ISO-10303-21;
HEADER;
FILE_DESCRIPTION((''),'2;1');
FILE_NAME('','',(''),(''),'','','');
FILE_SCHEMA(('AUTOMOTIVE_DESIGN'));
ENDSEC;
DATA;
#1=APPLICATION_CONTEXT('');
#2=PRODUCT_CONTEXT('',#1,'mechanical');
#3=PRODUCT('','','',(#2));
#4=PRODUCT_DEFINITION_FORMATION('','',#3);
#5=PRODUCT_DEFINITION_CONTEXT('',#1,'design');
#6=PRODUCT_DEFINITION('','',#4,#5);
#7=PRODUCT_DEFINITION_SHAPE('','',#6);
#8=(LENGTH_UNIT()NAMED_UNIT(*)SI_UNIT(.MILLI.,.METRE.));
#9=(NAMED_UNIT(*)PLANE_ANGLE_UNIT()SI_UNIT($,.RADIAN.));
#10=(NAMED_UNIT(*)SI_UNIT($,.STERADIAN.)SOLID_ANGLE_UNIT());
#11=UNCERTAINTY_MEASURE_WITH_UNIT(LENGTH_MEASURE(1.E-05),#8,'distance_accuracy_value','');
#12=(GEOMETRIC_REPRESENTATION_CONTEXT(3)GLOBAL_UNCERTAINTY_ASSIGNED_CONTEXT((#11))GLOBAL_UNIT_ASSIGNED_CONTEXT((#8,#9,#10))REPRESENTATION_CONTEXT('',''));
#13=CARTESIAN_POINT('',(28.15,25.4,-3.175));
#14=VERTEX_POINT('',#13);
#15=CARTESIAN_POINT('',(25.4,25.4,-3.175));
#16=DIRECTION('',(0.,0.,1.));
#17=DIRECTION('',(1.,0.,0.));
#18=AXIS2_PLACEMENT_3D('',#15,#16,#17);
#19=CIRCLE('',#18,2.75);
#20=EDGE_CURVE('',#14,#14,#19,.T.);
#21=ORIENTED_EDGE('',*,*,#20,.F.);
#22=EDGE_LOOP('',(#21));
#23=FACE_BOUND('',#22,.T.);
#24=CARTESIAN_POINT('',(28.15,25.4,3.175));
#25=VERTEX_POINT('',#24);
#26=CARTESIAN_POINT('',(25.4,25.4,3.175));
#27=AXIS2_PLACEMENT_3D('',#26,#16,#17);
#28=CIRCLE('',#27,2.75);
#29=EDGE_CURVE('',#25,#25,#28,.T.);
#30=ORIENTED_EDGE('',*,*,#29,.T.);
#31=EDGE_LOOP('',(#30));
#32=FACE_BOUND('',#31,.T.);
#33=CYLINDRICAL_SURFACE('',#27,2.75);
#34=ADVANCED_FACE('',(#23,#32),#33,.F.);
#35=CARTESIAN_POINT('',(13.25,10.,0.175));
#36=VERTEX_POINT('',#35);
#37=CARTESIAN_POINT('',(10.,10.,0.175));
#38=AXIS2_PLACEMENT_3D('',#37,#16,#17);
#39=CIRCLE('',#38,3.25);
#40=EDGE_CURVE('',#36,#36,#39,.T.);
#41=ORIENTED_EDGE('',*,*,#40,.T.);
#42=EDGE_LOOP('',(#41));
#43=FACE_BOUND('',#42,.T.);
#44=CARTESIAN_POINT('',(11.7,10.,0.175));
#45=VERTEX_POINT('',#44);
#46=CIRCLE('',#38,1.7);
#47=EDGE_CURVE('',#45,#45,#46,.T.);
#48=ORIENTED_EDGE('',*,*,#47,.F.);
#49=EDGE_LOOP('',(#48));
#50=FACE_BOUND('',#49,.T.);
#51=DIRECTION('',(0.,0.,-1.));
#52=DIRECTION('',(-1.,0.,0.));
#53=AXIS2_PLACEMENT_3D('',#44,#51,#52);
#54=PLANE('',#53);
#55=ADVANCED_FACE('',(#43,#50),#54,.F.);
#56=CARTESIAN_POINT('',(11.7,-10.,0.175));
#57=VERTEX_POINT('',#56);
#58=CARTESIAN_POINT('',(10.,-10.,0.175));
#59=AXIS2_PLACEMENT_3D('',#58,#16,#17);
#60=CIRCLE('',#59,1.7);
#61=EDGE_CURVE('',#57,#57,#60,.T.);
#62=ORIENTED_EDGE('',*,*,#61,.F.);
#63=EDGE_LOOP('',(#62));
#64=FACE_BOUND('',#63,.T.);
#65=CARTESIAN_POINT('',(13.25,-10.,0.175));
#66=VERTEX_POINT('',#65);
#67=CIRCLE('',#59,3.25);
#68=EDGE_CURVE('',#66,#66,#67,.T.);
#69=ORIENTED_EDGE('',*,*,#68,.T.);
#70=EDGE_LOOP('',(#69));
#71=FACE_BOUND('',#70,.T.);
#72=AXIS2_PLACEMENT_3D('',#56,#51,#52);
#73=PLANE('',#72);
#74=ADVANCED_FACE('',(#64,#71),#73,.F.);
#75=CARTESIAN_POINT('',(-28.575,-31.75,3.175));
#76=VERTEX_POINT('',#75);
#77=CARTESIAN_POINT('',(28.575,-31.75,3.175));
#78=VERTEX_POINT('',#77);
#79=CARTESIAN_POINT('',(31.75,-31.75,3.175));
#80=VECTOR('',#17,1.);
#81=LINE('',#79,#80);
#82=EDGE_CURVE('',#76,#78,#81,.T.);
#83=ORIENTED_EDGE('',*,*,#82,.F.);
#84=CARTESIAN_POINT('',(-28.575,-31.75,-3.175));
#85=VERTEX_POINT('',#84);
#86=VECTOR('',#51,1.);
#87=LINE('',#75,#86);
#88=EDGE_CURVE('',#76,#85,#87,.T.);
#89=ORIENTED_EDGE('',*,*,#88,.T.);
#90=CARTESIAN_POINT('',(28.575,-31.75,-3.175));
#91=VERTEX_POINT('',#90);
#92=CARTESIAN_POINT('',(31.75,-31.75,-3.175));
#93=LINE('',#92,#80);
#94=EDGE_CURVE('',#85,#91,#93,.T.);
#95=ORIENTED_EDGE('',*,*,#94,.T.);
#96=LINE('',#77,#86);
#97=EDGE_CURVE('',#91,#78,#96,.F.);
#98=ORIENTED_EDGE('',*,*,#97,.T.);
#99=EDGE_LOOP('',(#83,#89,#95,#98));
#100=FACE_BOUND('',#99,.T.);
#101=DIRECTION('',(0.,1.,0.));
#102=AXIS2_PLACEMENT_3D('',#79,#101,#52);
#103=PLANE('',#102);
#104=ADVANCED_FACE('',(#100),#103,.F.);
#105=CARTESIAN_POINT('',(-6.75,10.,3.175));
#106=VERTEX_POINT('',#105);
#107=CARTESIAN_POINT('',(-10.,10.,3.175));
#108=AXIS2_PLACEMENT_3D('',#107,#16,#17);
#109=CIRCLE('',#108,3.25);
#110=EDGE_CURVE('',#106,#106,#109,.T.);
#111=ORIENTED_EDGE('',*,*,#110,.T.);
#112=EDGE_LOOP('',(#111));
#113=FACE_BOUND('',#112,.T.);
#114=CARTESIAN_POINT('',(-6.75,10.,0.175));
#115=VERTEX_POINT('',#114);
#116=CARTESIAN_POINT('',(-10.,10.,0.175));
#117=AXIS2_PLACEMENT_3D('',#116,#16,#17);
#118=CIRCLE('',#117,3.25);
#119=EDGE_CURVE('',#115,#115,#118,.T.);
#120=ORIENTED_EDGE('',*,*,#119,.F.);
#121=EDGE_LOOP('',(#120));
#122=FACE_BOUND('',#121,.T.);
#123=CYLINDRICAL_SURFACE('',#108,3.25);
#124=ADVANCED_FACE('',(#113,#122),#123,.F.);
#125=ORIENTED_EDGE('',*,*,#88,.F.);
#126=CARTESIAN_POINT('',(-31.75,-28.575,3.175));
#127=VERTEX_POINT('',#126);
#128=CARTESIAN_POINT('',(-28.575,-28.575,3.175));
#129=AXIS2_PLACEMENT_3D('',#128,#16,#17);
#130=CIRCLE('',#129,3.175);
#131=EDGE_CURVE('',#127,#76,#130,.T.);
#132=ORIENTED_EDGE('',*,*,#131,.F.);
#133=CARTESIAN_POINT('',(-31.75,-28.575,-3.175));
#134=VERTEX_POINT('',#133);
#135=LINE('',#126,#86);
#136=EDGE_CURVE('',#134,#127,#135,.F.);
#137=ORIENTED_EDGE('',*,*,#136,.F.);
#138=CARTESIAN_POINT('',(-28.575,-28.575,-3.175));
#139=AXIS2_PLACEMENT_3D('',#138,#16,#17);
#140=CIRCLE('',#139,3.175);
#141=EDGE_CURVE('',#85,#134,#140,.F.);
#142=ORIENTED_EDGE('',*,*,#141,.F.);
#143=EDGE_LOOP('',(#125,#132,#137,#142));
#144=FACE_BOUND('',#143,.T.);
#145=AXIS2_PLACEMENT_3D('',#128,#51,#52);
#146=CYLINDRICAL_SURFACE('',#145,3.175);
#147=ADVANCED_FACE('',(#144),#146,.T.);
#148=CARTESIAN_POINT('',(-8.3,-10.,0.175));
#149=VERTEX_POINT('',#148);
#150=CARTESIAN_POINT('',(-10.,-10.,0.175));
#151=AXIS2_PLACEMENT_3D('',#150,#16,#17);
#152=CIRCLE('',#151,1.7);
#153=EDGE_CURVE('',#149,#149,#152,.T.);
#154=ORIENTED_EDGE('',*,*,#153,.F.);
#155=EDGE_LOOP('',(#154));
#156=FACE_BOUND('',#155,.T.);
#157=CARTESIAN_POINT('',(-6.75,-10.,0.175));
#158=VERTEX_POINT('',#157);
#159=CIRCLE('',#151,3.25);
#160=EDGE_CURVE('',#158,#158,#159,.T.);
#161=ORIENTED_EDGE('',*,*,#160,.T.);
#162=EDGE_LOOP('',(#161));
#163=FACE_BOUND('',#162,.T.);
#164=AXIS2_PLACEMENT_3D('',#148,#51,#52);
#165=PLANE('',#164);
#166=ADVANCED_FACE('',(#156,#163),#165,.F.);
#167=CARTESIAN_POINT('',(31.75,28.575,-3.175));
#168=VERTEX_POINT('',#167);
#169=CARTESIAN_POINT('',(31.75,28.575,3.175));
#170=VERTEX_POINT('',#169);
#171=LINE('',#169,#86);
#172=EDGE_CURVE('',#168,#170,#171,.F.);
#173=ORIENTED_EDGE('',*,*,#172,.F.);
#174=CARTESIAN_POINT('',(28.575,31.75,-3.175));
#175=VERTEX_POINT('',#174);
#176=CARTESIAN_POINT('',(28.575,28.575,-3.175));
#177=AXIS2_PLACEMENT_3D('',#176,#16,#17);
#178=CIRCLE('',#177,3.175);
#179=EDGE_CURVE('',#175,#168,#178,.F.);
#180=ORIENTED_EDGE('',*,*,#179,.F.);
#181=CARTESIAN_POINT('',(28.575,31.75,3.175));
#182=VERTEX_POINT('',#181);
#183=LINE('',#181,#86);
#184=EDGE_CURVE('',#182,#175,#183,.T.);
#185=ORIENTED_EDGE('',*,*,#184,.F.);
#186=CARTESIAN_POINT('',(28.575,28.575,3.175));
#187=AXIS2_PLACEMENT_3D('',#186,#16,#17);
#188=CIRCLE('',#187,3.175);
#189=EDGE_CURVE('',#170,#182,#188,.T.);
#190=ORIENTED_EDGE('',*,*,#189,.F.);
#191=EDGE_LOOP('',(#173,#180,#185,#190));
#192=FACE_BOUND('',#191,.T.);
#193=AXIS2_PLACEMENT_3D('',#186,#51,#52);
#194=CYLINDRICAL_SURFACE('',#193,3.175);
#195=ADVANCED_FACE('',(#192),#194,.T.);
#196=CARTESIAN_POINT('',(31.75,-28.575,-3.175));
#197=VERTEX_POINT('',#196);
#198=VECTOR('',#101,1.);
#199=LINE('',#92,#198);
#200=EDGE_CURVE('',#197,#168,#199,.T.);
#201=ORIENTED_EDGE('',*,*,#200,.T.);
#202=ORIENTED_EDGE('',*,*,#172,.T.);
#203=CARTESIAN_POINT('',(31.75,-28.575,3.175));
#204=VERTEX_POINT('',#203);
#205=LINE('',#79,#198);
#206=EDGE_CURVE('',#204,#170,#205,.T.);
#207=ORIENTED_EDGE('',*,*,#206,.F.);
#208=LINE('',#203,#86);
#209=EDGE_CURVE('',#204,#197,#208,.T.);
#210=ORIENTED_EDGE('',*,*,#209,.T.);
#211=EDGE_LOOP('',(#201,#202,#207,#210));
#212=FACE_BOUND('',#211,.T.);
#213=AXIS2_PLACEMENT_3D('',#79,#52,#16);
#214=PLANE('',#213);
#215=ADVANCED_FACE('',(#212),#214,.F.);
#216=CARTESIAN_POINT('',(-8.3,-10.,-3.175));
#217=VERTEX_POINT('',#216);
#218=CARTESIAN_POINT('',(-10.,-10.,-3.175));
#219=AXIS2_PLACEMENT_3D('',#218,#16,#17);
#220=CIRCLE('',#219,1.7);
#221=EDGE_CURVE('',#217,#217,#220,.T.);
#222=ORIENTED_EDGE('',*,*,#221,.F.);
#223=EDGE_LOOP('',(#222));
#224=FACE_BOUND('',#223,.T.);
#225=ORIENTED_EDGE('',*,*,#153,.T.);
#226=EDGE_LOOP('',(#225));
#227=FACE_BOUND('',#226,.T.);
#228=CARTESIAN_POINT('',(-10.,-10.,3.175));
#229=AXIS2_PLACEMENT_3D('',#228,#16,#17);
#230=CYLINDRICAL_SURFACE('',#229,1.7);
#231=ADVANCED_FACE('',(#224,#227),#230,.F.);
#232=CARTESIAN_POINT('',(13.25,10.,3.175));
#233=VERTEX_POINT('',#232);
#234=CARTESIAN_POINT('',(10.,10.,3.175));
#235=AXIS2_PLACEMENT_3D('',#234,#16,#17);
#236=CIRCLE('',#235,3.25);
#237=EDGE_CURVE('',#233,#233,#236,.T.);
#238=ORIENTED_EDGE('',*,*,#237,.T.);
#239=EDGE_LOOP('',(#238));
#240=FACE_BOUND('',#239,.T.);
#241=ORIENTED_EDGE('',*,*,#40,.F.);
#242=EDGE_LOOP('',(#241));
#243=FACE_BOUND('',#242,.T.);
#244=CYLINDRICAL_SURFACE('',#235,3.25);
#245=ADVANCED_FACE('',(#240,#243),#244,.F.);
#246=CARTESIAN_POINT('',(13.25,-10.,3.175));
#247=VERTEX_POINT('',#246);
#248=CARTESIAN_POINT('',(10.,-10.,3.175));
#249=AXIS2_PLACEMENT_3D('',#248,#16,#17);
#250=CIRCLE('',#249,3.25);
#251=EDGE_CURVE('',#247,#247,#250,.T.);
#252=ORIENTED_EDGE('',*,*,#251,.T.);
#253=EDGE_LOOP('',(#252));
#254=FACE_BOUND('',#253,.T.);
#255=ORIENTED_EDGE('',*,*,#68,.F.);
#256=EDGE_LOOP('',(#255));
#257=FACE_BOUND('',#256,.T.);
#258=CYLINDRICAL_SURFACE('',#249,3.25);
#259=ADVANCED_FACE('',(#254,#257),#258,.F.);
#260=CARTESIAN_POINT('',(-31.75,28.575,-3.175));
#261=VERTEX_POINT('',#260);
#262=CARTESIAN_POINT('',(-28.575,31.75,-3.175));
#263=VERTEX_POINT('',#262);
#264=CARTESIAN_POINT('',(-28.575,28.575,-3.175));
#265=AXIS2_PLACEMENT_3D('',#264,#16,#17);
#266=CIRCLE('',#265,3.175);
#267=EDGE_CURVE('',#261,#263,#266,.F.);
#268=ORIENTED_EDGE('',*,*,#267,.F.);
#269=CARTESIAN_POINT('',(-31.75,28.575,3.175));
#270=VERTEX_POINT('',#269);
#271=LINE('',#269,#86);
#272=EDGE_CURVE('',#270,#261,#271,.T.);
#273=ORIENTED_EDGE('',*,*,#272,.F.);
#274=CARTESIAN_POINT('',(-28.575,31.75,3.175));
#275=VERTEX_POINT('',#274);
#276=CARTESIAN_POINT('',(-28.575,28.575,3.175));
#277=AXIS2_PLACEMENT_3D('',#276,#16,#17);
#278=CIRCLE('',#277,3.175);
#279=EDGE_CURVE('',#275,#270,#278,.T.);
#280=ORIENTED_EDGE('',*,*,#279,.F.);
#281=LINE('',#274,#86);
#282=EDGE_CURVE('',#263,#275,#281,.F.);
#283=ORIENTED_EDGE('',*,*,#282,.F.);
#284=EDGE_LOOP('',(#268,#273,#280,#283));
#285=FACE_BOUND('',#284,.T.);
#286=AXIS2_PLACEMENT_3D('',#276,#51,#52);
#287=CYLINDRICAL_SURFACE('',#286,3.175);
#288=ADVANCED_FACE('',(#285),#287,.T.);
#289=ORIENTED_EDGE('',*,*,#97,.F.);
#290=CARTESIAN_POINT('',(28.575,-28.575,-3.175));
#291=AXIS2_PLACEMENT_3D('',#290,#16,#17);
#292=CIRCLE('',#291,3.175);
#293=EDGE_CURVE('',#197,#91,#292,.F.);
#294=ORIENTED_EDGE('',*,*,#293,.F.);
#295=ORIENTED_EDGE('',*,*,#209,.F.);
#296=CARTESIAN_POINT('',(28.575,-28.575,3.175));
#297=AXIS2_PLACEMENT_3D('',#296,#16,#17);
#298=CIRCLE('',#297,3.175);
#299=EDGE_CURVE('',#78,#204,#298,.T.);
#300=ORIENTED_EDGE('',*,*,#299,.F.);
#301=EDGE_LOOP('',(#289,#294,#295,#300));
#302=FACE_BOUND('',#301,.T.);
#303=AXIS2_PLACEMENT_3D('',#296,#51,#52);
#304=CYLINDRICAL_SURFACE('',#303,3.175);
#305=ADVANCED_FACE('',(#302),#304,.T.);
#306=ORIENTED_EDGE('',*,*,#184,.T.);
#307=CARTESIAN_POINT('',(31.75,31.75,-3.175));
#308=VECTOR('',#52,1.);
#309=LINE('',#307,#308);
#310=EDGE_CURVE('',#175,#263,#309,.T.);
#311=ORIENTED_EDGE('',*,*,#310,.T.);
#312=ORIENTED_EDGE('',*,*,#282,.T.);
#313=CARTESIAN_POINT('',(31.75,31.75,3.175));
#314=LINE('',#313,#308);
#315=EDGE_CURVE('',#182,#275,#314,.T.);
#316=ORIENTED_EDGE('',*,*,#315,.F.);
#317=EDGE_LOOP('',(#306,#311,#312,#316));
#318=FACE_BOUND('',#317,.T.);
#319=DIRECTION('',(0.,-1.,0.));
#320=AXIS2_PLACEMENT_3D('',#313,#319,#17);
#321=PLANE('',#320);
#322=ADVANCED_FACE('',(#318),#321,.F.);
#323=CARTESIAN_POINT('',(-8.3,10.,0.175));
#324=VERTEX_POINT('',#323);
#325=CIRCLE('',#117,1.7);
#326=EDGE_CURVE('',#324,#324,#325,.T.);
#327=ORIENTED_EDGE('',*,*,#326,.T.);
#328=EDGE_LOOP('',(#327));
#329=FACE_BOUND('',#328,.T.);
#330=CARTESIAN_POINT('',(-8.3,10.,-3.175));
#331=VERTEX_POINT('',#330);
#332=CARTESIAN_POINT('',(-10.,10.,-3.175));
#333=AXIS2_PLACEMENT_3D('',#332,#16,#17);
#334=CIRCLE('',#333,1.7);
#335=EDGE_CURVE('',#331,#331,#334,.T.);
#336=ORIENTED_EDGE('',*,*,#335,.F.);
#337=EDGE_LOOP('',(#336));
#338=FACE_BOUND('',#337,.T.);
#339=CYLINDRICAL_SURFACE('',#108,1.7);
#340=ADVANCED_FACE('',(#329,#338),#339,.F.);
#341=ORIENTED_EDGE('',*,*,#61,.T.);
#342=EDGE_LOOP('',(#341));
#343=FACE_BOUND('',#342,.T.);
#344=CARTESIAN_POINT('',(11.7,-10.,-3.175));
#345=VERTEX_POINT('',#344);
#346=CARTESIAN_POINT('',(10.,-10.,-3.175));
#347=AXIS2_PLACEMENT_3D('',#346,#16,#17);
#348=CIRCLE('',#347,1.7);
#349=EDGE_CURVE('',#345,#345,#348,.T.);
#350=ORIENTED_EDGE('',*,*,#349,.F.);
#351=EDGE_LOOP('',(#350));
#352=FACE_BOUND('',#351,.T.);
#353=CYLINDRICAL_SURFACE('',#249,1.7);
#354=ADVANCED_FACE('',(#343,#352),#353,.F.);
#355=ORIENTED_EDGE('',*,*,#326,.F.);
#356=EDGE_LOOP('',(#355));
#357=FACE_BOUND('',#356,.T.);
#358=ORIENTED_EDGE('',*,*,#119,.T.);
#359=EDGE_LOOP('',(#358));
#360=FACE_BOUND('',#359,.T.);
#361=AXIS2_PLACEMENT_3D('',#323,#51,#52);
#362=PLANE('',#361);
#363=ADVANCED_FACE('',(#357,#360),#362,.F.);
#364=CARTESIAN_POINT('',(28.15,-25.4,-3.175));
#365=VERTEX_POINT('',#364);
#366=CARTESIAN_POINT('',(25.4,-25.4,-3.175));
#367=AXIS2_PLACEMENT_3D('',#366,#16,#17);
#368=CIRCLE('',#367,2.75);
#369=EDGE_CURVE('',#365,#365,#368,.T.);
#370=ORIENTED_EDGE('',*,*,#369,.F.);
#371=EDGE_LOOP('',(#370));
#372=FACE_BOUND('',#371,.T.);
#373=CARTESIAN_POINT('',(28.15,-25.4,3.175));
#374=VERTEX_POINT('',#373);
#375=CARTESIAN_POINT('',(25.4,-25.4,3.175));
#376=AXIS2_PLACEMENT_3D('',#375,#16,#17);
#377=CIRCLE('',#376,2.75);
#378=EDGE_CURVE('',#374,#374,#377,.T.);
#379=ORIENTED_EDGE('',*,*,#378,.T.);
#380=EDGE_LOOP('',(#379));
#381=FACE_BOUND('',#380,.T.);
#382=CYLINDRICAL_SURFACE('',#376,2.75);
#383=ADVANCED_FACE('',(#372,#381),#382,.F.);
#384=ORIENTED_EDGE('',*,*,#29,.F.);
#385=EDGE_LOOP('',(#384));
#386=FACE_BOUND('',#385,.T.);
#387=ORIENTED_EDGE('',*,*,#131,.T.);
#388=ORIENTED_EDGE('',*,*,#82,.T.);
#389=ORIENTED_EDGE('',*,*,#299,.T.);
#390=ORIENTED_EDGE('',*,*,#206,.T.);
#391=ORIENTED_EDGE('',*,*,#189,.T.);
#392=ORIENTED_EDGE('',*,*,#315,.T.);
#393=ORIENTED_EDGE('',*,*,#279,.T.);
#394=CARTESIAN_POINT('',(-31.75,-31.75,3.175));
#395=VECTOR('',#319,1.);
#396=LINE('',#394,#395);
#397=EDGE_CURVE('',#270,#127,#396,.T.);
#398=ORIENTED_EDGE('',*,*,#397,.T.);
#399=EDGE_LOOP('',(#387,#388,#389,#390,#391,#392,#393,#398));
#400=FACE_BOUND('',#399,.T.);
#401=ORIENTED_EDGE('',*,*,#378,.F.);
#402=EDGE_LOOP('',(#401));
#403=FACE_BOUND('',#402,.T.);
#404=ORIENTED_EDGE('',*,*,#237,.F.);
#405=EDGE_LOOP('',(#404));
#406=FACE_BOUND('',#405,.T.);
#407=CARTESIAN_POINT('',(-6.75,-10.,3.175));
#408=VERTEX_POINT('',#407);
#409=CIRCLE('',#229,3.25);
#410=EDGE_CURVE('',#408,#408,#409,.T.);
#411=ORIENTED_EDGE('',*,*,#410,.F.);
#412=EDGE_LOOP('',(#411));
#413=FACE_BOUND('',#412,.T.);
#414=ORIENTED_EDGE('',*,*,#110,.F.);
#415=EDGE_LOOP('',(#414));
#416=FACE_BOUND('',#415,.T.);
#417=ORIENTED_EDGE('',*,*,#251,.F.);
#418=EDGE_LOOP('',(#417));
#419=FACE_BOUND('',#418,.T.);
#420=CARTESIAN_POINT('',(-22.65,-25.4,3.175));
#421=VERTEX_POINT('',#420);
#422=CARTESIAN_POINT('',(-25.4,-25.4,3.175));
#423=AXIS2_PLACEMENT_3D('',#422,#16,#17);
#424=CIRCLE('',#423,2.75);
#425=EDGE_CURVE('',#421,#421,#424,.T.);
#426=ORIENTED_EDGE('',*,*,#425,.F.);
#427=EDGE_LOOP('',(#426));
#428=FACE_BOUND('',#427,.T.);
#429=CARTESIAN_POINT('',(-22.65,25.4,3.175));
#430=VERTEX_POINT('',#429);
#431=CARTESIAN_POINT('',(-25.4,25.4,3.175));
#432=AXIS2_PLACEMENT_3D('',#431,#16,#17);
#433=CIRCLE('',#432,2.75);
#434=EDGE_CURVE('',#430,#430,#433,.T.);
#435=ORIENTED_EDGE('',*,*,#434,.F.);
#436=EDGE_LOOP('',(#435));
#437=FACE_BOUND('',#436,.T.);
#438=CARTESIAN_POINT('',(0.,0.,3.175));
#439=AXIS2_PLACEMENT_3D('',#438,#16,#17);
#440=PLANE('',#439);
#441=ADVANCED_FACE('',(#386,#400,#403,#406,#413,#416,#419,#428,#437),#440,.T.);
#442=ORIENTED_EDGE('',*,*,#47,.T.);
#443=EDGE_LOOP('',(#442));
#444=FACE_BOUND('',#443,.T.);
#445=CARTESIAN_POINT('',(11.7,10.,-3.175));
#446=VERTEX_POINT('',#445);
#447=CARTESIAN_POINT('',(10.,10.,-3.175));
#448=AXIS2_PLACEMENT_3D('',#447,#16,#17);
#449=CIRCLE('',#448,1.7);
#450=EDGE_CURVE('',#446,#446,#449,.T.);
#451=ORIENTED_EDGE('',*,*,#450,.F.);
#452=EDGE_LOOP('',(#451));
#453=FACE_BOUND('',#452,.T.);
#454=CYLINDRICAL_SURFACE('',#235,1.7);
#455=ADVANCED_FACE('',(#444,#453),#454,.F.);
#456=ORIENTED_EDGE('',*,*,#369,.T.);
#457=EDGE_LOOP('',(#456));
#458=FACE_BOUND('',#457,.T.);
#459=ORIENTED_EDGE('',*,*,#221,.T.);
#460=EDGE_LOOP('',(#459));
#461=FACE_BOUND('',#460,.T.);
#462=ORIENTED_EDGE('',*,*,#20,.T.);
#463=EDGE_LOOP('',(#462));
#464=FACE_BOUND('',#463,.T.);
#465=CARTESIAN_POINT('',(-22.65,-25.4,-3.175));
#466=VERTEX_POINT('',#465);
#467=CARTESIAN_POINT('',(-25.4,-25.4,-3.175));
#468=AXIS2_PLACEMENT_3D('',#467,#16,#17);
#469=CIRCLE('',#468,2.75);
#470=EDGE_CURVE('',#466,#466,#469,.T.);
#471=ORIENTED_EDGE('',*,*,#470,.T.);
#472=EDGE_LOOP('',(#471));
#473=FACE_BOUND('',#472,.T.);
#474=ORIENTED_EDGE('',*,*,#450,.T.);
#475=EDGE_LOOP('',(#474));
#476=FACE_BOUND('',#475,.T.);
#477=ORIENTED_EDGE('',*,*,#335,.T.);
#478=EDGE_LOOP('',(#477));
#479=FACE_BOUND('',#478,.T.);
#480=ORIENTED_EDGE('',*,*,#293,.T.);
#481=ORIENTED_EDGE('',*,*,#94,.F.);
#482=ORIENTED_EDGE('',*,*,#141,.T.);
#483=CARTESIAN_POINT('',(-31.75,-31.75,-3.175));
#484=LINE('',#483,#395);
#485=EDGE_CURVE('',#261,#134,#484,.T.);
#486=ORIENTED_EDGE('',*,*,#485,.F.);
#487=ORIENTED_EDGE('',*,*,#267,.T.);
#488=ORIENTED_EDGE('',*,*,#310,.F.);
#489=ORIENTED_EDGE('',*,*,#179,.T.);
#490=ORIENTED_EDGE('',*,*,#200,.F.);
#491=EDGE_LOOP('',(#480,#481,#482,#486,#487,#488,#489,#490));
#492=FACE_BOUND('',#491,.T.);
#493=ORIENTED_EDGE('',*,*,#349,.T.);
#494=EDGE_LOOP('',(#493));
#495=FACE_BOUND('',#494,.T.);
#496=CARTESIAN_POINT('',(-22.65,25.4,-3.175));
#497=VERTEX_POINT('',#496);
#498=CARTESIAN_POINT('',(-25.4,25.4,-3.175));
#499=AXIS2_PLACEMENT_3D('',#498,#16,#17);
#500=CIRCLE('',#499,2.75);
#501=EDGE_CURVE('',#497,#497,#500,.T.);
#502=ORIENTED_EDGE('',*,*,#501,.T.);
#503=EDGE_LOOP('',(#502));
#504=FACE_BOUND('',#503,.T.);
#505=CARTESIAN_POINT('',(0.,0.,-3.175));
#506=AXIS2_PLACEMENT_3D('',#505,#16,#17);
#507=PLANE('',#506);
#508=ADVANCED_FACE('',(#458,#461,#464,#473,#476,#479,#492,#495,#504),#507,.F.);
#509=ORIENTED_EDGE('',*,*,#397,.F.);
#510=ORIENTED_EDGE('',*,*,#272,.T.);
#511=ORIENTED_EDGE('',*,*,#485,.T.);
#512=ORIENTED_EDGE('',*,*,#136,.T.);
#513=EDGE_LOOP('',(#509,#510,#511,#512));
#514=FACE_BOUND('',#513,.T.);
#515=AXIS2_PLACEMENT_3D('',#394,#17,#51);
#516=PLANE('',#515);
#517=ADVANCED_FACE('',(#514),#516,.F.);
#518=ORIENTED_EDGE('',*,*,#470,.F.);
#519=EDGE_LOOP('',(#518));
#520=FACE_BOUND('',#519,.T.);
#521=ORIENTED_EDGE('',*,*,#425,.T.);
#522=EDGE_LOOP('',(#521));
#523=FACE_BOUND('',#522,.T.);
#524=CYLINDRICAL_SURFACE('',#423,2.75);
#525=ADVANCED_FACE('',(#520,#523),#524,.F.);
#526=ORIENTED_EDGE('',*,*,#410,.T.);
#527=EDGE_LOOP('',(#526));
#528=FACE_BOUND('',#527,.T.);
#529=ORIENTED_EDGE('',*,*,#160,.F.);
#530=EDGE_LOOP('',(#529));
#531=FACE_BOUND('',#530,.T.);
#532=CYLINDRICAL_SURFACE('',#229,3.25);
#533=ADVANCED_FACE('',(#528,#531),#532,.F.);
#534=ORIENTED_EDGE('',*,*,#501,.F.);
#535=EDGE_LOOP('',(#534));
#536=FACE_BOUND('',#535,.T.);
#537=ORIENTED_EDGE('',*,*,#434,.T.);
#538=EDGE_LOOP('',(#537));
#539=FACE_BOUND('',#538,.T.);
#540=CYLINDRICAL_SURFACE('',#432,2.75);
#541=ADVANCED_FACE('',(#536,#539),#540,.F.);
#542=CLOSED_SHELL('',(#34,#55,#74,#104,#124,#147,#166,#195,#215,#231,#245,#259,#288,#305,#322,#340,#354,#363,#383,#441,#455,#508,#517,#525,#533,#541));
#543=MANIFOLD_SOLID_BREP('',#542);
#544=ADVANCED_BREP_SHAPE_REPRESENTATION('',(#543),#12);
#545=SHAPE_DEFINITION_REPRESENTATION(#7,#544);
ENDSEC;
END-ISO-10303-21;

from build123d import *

# Parameters (mm, degrees)
SKETCH1_W                      = 63.5
SKETCH1_H                      = 63.5
BOSS_EXTRUDE1_DEPTH            = 3.175
CBORE_FOR_M3_SHCS1_D           = 3.4
CBORE_FOR_M3_SHCS1_CBORE_D     = 6.5
CBORE_FOR_M3_SHCS1_CBORE_DEPTH = 3
M5_CLEARANCE_HOLE1_D           = 5.5
FILLET1_R                      = 3.175


with BuildPart() as part:
    # Sketch1 → Boss-Extrude1 (new, symmetric)
    with BuildSketch(Plane.XY):
        Rectangle(SKETCH1_W, SKETCH1_H)
    extrude(amount=BOSS_EXTRUDE1_DEPTH, both=True)

    # CBORE for M3 SHCS1 (through all)
    with Locations(Plane.XY.offset(3.175)):
        with Locations((-10, -10), (10, 10), (-10, 10), (10, -10)):
            CounterBoreHole(CBORE_FOR_M3_SHCS1_D / 2, CBORE_FOR_M3_SHCS1_CBORE_D / 2, CBORE_FOR_M3_SHCS1_CBORE_DEPTH)

    # M5 Clearance Hole1 (through all)
    with Locations(Plane.XY.offset(3.175)):
        with Locations((-25.4, -25.4), (-25.4, 25.4), (25.4, -25.4), (25.4, 25.4)):
            Hole(M5_CLEARANCE_HOLE1_D / 2)

    # Fillet1
    fillet1_edges = [part.edges().sort_by_distance(p)[0] for p in [
        (-31.75, 31.75, 0),
        (31.75, 31.75, 0),
        (31.75, -31.75, 0),
        (-31.75, -31.75, 0),
    ]]
    fillet(fillet1_edges, radius=FILLET1_R)


solid = part.part
